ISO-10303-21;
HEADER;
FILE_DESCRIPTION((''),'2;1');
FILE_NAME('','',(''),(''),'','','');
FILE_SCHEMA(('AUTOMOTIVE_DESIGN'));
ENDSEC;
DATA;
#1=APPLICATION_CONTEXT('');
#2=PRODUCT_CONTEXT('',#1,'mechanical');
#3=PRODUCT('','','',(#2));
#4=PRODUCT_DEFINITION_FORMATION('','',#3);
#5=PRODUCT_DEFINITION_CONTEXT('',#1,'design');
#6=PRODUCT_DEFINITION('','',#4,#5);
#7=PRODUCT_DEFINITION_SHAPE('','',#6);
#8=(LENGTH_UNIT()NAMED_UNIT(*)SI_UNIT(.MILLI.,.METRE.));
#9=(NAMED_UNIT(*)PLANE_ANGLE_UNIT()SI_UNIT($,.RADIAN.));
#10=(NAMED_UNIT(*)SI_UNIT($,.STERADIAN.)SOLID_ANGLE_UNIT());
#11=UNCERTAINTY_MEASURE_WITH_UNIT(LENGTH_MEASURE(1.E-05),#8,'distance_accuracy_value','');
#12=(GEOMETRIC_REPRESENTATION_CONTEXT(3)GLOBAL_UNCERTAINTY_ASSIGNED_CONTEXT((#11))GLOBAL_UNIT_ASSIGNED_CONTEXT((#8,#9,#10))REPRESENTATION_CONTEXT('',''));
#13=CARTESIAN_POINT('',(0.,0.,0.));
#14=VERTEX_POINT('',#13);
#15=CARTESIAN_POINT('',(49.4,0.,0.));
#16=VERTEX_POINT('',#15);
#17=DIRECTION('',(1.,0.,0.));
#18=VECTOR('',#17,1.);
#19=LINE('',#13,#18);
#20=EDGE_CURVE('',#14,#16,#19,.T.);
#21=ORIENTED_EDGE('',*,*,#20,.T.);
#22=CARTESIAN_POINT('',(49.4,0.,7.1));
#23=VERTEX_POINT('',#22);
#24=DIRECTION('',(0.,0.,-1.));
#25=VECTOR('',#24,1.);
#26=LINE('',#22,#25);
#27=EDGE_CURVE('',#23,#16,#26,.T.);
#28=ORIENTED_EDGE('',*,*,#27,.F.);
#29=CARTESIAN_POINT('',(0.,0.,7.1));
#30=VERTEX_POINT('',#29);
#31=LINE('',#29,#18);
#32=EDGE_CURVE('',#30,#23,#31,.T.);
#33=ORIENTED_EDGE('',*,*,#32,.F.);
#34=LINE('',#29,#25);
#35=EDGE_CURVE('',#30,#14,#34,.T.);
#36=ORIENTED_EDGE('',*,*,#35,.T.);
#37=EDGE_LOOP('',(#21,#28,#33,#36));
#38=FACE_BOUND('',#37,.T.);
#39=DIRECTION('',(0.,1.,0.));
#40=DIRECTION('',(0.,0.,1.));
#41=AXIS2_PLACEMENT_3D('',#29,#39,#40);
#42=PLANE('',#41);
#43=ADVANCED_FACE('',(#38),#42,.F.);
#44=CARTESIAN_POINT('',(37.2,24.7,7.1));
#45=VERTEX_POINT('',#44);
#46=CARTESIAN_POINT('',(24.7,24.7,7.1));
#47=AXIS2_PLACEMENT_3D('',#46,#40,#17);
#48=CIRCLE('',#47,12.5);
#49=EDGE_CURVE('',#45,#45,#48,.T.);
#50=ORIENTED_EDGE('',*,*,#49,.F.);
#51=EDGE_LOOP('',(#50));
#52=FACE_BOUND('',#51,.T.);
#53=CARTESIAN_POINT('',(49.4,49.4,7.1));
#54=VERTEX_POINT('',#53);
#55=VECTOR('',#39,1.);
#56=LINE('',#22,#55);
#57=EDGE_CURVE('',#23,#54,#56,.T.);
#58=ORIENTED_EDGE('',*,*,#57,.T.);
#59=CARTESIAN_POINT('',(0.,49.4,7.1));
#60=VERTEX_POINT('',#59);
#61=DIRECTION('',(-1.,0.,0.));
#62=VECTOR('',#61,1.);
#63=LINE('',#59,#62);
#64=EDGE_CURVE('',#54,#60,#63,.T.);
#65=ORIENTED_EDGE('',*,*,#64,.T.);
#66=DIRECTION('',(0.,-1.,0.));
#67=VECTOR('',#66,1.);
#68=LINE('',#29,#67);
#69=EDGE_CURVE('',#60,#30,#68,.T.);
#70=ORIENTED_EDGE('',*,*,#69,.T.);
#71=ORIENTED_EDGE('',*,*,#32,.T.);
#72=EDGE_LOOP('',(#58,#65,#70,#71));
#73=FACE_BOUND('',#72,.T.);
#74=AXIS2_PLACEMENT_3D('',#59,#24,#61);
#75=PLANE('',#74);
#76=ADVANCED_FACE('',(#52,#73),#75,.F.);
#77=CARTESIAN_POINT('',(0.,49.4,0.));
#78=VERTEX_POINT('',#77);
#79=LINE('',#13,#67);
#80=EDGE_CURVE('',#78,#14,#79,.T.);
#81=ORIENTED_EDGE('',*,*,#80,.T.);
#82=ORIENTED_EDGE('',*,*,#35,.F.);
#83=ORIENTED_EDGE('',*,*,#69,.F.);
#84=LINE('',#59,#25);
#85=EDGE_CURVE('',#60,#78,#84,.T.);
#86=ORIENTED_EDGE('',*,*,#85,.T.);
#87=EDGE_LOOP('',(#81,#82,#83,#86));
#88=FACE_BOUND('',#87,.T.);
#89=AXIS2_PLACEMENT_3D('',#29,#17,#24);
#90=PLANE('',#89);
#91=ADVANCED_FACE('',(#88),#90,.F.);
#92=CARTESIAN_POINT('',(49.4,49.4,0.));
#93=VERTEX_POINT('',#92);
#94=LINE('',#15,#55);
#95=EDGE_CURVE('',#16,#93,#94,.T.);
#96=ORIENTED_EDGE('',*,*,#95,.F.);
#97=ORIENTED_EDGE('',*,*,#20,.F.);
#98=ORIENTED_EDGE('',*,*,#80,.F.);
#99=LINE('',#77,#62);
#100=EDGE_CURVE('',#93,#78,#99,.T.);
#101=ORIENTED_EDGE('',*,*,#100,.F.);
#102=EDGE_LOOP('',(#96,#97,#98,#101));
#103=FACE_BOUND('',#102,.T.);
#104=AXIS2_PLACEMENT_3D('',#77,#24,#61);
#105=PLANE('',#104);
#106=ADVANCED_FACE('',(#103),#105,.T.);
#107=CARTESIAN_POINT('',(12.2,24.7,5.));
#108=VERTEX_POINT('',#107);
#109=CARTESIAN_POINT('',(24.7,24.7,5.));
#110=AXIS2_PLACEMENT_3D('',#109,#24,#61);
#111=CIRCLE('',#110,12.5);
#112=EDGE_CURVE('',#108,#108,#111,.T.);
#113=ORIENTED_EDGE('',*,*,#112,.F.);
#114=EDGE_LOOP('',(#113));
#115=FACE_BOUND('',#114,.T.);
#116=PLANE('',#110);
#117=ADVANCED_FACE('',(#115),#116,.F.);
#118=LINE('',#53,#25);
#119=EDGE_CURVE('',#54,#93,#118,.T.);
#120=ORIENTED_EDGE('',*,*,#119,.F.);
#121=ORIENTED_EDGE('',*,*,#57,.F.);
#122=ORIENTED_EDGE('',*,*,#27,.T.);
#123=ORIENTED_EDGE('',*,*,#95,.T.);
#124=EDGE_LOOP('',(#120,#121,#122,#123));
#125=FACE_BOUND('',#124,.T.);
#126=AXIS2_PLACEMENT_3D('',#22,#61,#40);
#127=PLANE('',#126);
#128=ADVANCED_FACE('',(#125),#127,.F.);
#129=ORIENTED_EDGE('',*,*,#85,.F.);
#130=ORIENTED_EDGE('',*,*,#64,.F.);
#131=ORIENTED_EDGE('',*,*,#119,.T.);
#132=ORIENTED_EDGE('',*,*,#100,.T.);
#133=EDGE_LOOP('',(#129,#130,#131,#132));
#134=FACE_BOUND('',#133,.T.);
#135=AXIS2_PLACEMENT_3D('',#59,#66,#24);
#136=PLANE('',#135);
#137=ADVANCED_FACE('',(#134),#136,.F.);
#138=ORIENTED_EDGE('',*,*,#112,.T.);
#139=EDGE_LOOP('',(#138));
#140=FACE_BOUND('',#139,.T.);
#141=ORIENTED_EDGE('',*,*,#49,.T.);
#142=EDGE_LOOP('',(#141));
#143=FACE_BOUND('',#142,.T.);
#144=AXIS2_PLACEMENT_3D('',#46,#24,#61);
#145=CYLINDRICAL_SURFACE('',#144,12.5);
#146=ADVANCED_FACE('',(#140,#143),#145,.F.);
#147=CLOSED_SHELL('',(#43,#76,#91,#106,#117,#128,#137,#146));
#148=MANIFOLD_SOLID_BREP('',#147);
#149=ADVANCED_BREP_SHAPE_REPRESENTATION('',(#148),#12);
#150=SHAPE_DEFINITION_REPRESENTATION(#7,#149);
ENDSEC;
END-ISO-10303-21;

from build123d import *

# Parameters (mm, degrees)
SKETCH1_W           = 49.4
SKETCH1_H           = 49.4
SKETCH1_R           = 12.5
BOSS_EXTRUDE1_DEPTH = 7.1
SKETCH5_R           = 12.5
BOSS_EXTRUDE2_DEPTH = 5


with BuildPart() as part:
    # Sketch1 → Boss-Extrude1 (new body)
    with BuildSketch(Plane.XY):
        with Locations((24.7, 24.7)):
            Rectangle(SKETCH1_W, SKETCH1_H)
        with Locations((24.7, 24.7)):
            Circle(SKETCH1_R, mode=Mode.SUBTRACT)
    extrude(amount=BOSS_EXTRUDE1_DEPTH)

    # Sketch5 → Boss-Extrude2 (add)
    with BuildSketch(Plane(origin=(0, 0, 0), x_dir=(-1, 0, 0), z_dir=(0, 0, -1))):
        with Locations((-24.7, 24.7)):
            Circle(SKETCH5_R)
    extrude(amount=-BOSS_EXTRUDE2_DEPTH)


solid = part.part
